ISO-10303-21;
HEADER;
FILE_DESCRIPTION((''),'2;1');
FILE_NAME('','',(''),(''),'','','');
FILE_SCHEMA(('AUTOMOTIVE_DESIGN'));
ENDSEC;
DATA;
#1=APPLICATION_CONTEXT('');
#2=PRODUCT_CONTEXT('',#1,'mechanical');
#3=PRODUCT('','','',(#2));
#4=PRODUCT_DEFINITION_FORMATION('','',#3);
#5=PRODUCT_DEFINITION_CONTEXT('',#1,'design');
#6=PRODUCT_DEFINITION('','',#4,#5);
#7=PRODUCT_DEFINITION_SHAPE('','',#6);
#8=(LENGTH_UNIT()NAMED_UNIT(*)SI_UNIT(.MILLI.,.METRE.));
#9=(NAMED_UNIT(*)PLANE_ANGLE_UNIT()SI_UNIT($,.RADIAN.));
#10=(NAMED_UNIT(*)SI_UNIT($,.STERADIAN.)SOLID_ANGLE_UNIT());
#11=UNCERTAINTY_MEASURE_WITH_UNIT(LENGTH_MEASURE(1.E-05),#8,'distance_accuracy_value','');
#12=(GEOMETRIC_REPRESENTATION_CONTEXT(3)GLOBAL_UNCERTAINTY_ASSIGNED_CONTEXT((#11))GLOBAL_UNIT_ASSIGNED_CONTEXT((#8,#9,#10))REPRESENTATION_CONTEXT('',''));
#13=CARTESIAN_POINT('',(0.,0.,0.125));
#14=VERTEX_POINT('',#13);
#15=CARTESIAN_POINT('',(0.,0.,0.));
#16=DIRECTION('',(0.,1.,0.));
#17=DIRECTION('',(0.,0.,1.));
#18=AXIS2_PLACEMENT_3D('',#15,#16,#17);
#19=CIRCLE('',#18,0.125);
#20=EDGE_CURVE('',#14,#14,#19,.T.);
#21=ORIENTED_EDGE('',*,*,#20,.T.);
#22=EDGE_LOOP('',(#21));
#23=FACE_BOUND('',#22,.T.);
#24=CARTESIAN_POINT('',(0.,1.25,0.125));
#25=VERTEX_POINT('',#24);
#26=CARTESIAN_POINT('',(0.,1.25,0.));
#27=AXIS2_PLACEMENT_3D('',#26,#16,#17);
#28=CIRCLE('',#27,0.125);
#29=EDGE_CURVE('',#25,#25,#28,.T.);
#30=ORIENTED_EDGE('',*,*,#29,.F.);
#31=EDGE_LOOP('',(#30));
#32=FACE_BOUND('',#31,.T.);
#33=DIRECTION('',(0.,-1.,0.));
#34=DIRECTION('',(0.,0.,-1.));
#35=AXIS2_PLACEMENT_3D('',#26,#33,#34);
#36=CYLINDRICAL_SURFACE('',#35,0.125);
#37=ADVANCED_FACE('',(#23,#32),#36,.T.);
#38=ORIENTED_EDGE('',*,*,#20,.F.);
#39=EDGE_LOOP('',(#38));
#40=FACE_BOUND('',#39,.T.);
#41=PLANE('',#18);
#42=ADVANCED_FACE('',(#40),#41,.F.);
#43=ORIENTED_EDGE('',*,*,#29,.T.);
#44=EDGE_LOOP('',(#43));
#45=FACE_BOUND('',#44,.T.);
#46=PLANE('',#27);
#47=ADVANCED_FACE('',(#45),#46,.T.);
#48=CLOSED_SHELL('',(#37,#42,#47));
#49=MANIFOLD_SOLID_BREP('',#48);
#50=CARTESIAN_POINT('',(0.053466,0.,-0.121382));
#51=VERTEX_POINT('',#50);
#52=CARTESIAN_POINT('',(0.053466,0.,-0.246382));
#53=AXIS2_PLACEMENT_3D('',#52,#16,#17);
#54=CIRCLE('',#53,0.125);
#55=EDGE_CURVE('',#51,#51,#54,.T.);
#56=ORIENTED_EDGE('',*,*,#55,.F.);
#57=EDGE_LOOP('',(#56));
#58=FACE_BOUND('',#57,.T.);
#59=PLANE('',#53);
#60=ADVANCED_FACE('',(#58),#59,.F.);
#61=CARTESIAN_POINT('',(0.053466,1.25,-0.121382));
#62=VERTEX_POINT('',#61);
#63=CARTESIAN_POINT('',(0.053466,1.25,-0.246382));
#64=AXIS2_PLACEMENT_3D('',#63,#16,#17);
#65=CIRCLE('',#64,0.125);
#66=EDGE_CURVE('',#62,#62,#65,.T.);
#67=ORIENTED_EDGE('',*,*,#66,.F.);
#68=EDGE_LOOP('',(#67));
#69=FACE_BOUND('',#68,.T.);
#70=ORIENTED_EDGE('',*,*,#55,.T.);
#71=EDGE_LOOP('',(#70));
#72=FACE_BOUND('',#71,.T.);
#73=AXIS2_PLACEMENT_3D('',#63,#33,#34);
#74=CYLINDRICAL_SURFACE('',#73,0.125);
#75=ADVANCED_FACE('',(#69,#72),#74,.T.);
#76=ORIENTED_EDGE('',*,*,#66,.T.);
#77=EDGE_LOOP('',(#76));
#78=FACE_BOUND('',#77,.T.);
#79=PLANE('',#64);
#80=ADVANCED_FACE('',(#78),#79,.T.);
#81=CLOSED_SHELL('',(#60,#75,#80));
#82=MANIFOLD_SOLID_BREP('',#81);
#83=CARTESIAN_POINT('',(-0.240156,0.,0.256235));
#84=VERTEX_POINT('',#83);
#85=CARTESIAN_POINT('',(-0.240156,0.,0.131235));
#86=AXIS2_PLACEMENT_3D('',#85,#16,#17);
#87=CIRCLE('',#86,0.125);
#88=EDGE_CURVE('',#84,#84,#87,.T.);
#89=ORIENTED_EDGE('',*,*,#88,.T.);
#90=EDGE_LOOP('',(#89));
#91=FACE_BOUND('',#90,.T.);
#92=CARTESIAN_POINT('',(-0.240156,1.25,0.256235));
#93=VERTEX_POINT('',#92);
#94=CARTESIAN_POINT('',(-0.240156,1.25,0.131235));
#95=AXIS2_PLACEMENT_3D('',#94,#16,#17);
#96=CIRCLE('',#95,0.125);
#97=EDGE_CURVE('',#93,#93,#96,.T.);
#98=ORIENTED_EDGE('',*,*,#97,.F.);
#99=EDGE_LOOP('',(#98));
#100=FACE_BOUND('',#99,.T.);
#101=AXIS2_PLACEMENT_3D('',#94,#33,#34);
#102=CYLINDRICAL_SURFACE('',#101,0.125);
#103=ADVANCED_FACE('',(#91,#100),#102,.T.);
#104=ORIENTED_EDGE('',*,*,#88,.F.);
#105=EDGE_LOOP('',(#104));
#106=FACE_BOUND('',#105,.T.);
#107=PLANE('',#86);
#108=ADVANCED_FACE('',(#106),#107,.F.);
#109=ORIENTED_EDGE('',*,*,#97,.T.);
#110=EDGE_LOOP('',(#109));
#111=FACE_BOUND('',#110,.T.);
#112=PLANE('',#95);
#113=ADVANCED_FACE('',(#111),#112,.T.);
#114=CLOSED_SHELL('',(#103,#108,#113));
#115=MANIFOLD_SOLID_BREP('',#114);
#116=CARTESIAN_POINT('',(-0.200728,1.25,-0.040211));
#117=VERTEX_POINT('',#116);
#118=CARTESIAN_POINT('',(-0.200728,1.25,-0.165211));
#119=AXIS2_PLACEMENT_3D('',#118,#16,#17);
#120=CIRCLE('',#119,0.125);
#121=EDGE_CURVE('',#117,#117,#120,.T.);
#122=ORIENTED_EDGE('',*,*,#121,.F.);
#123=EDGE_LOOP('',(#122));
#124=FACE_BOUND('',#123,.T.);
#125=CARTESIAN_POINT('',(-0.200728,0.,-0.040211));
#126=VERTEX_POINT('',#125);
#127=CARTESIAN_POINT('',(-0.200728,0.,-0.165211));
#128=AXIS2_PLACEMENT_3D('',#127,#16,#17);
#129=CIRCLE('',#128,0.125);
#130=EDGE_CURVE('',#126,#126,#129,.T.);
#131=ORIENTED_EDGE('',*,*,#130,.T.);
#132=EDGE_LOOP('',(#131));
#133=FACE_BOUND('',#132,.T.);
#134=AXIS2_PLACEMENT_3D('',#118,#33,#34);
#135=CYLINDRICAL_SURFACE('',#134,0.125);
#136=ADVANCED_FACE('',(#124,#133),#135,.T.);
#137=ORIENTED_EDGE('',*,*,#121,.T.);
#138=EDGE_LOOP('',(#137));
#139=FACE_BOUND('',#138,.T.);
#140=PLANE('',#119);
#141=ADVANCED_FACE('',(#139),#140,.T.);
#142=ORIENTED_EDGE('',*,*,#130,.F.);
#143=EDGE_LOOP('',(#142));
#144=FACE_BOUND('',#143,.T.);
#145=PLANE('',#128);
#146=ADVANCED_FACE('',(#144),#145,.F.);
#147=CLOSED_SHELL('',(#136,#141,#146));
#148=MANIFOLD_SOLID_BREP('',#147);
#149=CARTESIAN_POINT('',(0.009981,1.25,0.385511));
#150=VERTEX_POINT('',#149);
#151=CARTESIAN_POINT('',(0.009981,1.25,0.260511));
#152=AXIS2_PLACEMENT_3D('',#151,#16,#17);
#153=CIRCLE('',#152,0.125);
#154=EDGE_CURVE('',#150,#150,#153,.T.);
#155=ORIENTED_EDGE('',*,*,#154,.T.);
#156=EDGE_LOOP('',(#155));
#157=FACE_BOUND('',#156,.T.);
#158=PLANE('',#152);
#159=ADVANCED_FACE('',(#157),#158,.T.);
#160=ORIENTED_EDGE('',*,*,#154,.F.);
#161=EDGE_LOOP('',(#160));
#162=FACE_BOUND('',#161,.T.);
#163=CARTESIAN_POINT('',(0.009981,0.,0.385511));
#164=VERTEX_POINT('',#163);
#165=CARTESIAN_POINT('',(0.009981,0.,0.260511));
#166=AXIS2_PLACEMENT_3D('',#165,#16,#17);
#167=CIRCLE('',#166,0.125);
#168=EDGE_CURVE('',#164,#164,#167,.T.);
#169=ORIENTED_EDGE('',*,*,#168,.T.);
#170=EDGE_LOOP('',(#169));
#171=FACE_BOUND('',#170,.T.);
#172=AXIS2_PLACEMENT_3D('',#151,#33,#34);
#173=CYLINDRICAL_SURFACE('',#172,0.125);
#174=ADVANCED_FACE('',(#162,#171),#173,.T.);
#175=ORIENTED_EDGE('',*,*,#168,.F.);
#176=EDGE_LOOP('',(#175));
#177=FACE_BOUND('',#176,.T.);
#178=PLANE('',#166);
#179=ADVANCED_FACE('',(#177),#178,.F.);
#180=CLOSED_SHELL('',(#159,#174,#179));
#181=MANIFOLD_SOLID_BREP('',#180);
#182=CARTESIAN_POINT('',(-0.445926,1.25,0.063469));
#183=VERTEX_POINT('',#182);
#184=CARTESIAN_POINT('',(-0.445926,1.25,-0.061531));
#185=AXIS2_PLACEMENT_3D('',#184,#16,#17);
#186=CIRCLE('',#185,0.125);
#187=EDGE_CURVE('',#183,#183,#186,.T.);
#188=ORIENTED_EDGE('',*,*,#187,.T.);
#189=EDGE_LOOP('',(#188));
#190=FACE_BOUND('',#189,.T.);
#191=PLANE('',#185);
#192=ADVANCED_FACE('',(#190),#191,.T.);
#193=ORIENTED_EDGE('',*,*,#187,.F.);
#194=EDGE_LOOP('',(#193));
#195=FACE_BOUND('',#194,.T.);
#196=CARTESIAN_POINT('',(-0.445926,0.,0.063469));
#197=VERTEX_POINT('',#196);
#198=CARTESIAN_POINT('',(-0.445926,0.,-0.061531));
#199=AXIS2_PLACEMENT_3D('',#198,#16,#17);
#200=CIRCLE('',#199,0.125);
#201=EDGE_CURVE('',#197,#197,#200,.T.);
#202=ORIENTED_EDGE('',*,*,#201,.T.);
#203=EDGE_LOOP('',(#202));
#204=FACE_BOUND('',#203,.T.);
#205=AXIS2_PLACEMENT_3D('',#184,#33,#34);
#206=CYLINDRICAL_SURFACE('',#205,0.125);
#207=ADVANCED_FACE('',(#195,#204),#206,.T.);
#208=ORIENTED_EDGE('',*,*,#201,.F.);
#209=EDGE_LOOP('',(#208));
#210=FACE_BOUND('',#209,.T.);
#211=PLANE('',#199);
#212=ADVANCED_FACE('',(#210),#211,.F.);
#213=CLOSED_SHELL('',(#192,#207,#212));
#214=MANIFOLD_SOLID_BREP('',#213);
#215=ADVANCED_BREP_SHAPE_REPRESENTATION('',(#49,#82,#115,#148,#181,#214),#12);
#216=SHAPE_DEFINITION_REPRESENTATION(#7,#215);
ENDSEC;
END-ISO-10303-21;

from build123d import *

# Parameters (mm, degrees)
SKETCH1_R             = 0.125
BOSS_EXTRUDE1_DEPTH   = 1.25
BOSS_EXTRUDE1_2_DEPTH = 1.25
BOSS_EXTRUDE1_3_DEPTH = 1.25
BOSS_EXTRUDE1_4_DEPTH = 1.25
BOSS_EXTRUDE1_5_DEPTH = 1.25
BOSS_EXTRUDE1_6_DEPTH = 1.25


with BuildPart() as part:
    # Sketch1 → Boss-Extrude1 (new body)
    with BuildSketch(Plane(origin=(0, 0, 0), x_dir=(1, 0, 0), z_dir=(0, 1, 0))):
        with Locations(Location((0, 0, 0), (0, 0, 270))):
            Circle(SKETCH1_R)
    extrude(amount=BOSS_EXTRUDE1_DEPTH)


with BuildPart() as body_2:
    # Sketch1 → Boss-Extrude1 2 (new body)
    with BuildSketch(Plane(origin=(0, 0, 0), x_dir=(1, 0, 0), z_dir=(0, 1, 0))):
        with Locations(Location((-0.200728238, 0.165210686, 0), (0, 0, 270))):
            Circle(SKETCH1_R)
    extrude(amount=BOSS_EXTRUDE1_2_DEPTH)


with BuildPart() as body_3:
    # Sketch1 → Boss-Extrude1 3 (new body)
    with BuildSketch(Plane(origin=(0, 0, 0), x_dir=(1, 0, 0), z_dir=(0, 1, 0))):
        with Locations(Location((0.053466013, 0.24638196, 0), (0, 0, 270))):
            Circle(SKETCH1_R)
    extrude(amount=BOSS_EXTRUDE1_3_DEPTH)


with BuildPart() as body_4:
    # Sketch1 → Boss-Extrude1 4 (new body)
    with BuildSketch(Plane(origin=(0, 0, 0), x_dir=(1, 0, 0), z_dir=(0, 1, 0))):
        with Locations(Location((-0.445926201, 0.061530931, 0), (0, 0, 270))):
            Circle(SKETCH1_R)
    extrude(amount=BOSS_EXTRUDE1_4_DEPTH)


with BuildPart() as body_5:
    # Sketch1 → Boss-Extrude1 5 (new body)
    with BuildSketch(Plane(origin=(0, 0, 0), x_dir=(1, 0, 0), z_dir=(0, 1, 0))):
        with Locations(Location((-0.240156126, -0.131235088, 0), (0, 0, 270))):
            Circle(SKETCH1_R)
    extrude(amount=BOSS_EXTRUDE1_5_DEPTH)


with BuildPart() as body_6:
    # Sketch1 → Boss-Extrude1 6 (new body)
    with BuildSketch(Plane(origin=(0, 0, 0), x_dir=(1, 0, 0), z_dir=(0, 1, 0))):
        with Locations(Location((0.009980731, -0.260510711, 0), (0, 0, 270))):
            Circle(SKETCH1_R)
    extrude(amount=BOSS_EXTRUDE1_6_DEPTH)


solid = Compound([part.part, body_2.part, body_3.part, body_4.part, body_5.part, body_6.part])
